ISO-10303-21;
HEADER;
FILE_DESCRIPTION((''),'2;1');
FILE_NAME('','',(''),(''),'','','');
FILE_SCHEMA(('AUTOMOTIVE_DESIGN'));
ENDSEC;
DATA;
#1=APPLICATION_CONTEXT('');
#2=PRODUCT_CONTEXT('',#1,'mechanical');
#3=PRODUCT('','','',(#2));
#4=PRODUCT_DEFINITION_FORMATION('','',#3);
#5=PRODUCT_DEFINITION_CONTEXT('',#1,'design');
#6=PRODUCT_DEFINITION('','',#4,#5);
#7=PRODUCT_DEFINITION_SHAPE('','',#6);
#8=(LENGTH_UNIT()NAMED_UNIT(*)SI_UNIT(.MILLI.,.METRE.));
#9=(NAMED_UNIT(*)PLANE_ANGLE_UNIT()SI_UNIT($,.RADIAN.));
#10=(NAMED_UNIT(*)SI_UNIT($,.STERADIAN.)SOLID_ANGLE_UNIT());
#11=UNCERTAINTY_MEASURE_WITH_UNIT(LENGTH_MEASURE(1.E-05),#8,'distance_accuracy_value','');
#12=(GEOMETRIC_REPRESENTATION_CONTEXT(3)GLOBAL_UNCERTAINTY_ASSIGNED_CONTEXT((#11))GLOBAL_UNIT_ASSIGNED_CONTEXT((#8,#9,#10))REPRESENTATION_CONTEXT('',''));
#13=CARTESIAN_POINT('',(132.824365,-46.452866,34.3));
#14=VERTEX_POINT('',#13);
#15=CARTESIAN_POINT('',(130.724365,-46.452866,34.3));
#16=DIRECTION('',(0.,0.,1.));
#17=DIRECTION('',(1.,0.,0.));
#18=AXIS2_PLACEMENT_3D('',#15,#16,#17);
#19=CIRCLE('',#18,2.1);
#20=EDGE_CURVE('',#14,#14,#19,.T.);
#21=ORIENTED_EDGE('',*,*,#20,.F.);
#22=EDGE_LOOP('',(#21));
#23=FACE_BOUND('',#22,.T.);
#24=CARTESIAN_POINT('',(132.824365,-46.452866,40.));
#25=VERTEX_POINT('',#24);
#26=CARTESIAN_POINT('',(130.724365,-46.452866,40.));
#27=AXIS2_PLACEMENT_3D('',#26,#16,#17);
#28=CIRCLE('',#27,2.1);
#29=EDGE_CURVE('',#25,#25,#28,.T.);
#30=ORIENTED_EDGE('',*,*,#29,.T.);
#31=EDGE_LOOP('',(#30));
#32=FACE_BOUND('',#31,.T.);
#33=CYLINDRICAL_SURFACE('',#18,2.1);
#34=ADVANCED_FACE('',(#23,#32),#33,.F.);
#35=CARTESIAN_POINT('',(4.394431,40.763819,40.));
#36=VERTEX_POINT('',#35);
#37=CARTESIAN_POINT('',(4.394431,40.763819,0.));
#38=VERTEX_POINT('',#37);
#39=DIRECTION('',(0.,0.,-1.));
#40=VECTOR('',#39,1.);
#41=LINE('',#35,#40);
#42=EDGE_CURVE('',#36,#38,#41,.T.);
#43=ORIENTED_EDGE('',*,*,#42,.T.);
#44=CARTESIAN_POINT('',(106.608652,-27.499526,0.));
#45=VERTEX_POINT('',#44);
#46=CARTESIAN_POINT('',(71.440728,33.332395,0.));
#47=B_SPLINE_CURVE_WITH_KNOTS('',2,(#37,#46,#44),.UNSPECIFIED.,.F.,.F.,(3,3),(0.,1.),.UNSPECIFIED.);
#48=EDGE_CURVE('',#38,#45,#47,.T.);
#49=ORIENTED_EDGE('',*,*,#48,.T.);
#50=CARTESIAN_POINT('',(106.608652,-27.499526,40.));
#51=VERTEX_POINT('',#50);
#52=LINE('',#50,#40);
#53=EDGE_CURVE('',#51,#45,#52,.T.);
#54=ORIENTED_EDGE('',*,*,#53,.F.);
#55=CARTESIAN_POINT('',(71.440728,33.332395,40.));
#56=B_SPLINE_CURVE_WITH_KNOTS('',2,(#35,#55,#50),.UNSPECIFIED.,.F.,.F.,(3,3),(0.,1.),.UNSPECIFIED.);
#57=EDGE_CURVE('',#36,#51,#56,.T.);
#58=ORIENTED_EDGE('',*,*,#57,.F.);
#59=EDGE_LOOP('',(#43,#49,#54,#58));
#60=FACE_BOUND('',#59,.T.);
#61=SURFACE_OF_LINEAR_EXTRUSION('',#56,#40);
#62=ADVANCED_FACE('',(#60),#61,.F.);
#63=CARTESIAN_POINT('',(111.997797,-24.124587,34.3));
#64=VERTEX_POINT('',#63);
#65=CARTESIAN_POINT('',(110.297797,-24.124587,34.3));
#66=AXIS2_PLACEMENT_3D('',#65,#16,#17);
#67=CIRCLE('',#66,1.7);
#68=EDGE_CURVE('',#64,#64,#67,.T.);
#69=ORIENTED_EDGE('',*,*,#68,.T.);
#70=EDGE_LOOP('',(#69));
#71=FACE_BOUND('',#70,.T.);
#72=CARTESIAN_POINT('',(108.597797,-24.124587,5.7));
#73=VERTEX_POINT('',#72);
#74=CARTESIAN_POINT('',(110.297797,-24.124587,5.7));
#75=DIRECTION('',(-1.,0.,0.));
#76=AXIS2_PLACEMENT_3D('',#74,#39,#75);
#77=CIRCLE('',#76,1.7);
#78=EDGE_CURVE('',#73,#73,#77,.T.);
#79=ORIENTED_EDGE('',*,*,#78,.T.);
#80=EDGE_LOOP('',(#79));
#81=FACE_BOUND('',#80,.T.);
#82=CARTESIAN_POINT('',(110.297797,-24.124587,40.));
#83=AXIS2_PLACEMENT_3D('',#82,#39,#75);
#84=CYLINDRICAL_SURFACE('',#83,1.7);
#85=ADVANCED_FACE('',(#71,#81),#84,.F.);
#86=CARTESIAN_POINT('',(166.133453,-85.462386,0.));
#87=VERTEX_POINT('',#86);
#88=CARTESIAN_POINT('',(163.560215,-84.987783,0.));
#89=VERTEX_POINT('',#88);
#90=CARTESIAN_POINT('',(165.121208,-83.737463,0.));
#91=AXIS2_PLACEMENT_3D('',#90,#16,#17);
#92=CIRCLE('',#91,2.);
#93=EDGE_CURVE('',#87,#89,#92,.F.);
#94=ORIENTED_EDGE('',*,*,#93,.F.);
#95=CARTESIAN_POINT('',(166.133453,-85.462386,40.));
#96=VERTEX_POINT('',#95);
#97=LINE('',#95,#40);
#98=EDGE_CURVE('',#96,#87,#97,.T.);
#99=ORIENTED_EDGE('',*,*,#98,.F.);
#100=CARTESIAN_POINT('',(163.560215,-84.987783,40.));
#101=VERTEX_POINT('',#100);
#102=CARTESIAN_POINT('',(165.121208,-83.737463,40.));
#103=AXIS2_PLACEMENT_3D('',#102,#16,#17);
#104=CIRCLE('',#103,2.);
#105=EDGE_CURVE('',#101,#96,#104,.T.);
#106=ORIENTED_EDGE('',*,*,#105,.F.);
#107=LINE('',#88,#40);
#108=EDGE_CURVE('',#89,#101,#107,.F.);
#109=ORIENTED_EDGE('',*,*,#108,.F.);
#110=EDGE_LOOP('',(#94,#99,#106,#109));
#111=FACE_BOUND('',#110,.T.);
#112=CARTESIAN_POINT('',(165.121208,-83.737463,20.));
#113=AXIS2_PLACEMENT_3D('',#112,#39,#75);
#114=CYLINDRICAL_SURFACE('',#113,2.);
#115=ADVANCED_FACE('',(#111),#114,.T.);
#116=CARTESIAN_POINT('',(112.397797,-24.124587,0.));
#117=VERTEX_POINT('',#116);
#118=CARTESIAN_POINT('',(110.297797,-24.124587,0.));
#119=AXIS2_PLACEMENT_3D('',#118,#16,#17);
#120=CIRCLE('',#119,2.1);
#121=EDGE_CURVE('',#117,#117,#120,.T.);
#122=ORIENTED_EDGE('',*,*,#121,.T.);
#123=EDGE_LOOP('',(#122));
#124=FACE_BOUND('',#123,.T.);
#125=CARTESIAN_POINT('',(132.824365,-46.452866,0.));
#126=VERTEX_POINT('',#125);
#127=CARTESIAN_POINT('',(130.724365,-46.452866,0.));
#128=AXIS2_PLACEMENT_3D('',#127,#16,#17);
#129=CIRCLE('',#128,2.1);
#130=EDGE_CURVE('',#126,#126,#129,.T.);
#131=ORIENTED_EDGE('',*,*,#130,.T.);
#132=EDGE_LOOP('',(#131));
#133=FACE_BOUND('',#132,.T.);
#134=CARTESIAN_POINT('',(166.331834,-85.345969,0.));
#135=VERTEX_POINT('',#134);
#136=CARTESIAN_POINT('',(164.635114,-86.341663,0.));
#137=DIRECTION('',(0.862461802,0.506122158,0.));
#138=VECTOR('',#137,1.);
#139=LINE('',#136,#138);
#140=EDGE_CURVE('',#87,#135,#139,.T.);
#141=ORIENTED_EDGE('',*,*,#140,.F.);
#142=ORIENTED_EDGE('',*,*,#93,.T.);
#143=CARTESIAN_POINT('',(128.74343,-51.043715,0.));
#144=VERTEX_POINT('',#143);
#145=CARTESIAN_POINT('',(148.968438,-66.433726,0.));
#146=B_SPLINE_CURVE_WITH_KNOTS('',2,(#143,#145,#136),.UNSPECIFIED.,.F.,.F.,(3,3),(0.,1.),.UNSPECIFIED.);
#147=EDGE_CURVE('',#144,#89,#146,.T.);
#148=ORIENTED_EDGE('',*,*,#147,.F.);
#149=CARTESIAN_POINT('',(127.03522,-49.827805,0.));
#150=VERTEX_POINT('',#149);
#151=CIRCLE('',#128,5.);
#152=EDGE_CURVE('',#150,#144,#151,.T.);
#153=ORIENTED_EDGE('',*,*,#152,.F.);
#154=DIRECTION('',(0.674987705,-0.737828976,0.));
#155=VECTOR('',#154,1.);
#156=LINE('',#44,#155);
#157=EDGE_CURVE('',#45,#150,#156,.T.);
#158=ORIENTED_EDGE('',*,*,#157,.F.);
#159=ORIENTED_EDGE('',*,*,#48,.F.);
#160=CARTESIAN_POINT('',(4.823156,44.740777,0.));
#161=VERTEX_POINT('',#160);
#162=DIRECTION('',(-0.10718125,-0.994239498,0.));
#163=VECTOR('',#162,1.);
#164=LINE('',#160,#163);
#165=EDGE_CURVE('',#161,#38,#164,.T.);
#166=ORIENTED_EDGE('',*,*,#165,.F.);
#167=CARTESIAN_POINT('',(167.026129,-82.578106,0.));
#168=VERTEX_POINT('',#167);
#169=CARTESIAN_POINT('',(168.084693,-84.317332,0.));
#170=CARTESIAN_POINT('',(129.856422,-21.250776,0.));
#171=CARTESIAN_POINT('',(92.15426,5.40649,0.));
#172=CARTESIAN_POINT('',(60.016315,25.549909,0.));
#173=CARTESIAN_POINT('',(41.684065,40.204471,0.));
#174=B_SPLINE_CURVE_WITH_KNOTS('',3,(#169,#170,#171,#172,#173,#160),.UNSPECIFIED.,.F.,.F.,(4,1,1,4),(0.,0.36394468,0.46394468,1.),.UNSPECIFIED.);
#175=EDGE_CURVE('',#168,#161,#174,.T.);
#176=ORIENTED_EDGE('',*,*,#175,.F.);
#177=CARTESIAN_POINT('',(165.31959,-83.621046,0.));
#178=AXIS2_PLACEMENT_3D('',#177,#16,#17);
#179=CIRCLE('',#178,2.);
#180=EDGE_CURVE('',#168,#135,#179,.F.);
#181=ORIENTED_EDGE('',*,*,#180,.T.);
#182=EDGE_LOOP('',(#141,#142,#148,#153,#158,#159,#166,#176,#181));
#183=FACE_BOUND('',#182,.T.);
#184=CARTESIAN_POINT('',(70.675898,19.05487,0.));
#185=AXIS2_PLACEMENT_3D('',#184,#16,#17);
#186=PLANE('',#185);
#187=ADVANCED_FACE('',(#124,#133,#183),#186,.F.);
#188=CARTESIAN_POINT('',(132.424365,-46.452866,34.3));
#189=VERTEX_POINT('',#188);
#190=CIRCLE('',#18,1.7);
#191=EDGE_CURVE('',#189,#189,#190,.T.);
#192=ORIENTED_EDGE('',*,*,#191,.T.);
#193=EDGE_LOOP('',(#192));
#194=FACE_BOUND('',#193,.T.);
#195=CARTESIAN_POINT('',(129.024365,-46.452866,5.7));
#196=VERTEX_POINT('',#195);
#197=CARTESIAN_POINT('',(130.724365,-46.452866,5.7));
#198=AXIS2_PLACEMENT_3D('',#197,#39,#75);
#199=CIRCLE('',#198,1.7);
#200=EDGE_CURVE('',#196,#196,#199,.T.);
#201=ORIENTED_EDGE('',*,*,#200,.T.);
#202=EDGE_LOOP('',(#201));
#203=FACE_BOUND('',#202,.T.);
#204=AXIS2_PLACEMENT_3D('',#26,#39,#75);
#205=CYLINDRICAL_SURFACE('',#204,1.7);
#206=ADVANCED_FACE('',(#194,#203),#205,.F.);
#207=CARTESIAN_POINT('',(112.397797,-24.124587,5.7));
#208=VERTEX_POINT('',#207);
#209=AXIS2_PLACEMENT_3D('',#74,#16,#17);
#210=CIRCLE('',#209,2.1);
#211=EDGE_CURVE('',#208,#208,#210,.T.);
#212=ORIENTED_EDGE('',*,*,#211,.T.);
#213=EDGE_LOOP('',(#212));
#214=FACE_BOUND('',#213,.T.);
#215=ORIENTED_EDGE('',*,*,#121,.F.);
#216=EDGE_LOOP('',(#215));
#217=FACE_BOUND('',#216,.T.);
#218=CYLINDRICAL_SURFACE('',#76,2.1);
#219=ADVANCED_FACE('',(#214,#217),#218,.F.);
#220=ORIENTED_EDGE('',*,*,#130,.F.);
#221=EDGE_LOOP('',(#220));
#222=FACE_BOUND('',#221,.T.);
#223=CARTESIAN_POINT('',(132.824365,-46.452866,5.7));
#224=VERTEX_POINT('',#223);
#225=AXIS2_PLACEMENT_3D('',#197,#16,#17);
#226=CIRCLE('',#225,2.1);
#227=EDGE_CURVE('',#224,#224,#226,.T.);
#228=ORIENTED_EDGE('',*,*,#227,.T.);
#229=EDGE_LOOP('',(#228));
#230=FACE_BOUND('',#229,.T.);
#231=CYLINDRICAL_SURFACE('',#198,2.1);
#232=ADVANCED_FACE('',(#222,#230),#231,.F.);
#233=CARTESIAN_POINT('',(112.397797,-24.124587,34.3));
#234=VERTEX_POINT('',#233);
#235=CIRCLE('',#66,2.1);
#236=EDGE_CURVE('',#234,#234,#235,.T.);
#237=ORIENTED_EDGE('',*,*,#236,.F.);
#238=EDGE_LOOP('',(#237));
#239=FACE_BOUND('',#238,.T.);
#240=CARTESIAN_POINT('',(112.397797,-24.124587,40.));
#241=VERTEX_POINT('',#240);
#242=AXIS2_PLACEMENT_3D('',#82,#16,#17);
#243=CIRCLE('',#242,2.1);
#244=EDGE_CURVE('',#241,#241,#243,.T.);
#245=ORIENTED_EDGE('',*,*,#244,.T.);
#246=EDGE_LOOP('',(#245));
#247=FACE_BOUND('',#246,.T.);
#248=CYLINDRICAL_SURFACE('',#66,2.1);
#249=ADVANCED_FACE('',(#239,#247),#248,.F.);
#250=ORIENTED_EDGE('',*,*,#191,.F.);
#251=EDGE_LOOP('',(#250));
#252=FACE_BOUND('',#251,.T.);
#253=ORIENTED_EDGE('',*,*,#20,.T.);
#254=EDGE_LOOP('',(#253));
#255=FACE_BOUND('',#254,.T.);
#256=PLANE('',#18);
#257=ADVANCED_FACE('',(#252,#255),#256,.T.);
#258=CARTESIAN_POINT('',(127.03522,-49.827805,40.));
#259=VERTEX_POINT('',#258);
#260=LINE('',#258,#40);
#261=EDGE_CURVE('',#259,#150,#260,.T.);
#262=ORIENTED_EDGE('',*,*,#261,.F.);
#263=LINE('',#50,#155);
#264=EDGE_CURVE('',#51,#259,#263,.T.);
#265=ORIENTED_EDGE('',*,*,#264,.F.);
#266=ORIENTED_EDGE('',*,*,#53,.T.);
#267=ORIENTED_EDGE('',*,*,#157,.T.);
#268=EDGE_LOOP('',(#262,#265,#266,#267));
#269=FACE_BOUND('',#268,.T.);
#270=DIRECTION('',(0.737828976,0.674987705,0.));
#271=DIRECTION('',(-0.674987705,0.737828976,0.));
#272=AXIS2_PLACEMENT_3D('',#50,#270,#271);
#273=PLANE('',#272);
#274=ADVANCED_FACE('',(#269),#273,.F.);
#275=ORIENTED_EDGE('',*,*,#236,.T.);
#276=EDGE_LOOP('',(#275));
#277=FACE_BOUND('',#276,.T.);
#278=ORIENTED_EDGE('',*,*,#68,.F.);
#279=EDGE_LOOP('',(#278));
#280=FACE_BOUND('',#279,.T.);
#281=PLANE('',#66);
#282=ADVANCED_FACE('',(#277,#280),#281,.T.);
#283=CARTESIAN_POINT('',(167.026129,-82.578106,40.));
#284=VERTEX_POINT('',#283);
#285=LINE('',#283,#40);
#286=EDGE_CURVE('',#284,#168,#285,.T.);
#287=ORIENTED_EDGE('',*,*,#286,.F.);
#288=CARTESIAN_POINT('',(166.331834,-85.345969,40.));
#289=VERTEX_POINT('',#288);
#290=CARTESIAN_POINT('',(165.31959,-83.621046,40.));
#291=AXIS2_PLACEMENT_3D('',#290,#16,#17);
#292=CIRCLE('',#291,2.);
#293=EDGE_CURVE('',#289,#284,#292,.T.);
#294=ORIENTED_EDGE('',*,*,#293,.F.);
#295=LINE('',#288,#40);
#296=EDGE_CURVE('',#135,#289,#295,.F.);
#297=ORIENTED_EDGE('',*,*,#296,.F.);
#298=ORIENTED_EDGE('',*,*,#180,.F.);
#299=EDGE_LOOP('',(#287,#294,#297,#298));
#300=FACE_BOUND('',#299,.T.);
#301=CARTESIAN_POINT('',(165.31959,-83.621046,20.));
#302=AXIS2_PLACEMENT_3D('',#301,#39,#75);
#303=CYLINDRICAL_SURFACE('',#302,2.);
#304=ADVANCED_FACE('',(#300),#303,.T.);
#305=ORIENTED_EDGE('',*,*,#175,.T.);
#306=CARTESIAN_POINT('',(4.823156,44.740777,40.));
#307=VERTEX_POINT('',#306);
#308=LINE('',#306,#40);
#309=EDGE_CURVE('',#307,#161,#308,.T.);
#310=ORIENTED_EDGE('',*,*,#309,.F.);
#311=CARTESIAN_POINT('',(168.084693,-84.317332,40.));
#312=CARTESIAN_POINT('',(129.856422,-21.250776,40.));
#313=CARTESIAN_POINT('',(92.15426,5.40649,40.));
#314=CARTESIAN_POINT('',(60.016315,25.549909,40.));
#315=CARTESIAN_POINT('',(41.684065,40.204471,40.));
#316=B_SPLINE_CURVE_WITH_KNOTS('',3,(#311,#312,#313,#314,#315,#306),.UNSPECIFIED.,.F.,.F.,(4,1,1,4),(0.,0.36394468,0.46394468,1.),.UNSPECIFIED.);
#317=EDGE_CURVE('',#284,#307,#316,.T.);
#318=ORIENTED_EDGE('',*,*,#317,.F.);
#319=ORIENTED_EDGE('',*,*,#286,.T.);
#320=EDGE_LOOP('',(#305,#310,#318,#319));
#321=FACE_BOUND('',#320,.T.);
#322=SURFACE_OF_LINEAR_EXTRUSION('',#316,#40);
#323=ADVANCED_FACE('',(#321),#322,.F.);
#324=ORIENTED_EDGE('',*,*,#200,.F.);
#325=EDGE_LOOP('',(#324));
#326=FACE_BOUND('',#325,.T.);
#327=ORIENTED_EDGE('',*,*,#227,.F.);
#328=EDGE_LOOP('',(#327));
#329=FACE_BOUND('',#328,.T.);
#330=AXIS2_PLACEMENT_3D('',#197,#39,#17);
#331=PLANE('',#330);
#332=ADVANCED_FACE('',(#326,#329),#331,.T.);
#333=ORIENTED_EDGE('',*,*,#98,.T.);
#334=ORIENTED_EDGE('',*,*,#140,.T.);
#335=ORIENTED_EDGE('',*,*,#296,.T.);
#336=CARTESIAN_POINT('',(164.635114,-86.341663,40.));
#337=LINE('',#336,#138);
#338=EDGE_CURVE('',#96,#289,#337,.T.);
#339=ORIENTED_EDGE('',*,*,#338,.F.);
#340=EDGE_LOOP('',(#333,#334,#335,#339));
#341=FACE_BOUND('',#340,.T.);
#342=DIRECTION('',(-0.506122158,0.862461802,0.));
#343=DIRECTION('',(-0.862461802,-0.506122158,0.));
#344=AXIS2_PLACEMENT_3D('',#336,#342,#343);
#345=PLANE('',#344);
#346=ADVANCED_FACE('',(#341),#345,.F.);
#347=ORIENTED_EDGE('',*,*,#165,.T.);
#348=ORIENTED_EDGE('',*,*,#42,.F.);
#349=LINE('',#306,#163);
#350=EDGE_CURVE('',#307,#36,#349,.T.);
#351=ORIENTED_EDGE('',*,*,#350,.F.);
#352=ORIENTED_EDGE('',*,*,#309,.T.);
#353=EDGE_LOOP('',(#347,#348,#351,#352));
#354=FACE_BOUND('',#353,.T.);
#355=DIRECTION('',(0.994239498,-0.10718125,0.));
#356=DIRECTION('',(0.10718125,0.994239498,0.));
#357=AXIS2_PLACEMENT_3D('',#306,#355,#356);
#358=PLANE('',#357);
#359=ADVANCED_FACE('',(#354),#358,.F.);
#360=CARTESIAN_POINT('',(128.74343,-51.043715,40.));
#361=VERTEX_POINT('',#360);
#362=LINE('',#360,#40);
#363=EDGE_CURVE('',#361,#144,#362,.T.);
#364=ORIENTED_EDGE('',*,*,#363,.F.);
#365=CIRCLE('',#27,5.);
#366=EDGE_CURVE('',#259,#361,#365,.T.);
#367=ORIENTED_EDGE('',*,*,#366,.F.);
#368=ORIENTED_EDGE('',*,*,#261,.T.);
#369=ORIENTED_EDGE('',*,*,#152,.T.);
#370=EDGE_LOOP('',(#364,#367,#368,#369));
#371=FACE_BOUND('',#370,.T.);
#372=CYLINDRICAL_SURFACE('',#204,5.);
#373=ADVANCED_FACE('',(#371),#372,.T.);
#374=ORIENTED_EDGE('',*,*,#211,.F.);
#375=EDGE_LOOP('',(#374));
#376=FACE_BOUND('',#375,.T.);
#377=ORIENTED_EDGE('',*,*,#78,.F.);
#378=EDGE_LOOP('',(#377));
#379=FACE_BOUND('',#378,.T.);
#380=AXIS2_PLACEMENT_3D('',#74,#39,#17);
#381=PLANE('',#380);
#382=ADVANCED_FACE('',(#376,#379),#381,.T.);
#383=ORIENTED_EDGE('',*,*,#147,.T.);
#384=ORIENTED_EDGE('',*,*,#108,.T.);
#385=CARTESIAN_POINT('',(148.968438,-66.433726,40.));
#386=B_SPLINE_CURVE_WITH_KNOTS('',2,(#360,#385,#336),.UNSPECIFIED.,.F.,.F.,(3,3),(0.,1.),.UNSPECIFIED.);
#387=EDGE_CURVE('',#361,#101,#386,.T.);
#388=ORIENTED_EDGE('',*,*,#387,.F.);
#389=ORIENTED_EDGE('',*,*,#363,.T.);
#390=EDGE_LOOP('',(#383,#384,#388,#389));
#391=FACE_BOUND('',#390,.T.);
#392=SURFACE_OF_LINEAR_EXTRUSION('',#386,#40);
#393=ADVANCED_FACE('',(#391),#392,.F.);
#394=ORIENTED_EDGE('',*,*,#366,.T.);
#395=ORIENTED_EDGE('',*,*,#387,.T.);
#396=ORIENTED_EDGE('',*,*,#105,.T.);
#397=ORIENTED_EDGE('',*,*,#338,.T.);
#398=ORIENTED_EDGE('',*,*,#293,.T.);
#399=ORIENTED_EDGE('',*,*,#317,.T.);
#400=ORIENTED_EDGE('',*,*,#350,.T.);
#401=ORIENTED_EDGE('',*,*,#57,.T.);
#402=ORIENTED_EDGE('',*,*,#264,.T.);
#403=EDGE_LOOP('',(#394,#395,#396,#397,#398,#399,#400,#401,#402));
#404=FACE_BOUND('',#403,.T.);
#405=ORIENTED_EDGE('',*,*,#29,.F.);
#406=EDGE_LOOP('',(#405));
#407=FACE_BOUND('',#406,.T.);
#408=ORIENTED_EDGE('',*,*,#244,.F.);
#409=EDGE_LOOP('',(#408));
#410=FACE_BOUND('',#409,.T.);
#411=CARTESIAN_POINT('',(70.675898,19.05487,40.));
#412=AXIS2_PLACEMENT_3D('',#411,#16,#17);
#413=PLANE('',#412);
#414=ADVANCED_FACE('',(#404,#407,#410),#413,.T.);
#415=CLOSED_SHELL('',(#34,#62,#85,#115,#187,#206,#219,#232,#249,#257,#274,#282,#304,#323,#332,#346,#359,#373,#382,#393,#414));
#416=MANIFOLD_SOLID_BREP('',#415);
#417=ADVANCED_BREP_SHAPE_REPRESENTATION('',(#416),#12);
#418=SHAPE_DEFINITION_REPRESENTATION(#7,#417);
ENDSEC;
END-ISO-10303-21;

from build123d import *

# Parameters (mm, degrees)
SKETCH1_R           = 1.7
BOSS_EXTRUDE1_DEPTH = 40
FILLET1_R           = 2
SKETCH2_R           = 2.1
CUT_EXTRUDE1_DEPTH  = 5.7


with BuildPart() as part:
    # Sketch1 → Boss-Extrude1 (new body)
    with BuildSketch(Plane.XY):
        with BuildLine():
            Line((106.608651808, -27.499525749), (127.035219834, -49.827804726))
            ThreePointArc((127.035219834, -49.827804726), (127.824871389, -50.526309273), (128.743429567, -51.043715355))
            add(Edge.make_bspline(
                [(128.743429567, -51.043715355), (148.968438393, -66.433726049), (164.6351141, -86.341662758)],
                knots=[0, 0, 0, 1, 1, 1], degree=2))
            Line((164.6351141, -86.341662758), (168.084692517, -84.317331861))
            add(Edge.make_bspline(
                [(4.823156258, 44.740777415), (41.684065008, 40.20447098), (60.016315143, 25.549909268), (92.15426, 5.406490208), (129.856421907, -21.250775717), (168.084692517, -84.317331861)],
                knots=[0, 0, 0, 0, 0.53605532, 0.63605532, 1, 1, 1, 1], degree=3))
            Line((4.823156258, 44.740777415), (4.394431257, 40.763819423))
            add(Edge.make_bspline(
                [(4.394431257, 40.763819423), (71.440728315, 33.332394502), (106.608651808, -27.499525749)],
                knots=[0, 0, 0, 1, 1, 1], degree=2))
        make_face()
        with Locations((130.724364716, -46.452866202)):
            Circle(SKETCH1_R, mode=Mode.SUBTRACT)
        with Locations((110.29779669, -24.124587225)):
            Circle(SKETCH1_R, mode=Mode.SUBTRACT)
    extrude(amount=BOSS_EXTRUDE1_DEPTH)

    # Fillet1
    fillet1_edges = [part.edges().sort_by_distance(p)[0] for p in [
        (164.6351141, -86.341662758, 20),
        (168.084692517, -84.317331861, 20),
    ]]
    fillet(fillet1_edges, radius=FILLET1_R)

    # Sketch2 → Cut-Extrude1 (cut)
    with BuildSketch(Plane.XY.offset(40)):
        with Locations((110.29779669, -24.124587225)):
            Circle(SKETCH2_R)
        with Locations((130.724364716, -46.452866202)):
            Circle(SKETCH2_R)
    cut_extrude1 = extrude(amount=-CUT_EXTRUDE1_DEPTH, mode=Mode.SUBTRACT)

    # Mirror1: Cut-Extrude1 across plane
    add(cut_extrude1.mirror(Plane.XY.offset(20)), mode=Mode.SUBTRACT)


solid = part.part
